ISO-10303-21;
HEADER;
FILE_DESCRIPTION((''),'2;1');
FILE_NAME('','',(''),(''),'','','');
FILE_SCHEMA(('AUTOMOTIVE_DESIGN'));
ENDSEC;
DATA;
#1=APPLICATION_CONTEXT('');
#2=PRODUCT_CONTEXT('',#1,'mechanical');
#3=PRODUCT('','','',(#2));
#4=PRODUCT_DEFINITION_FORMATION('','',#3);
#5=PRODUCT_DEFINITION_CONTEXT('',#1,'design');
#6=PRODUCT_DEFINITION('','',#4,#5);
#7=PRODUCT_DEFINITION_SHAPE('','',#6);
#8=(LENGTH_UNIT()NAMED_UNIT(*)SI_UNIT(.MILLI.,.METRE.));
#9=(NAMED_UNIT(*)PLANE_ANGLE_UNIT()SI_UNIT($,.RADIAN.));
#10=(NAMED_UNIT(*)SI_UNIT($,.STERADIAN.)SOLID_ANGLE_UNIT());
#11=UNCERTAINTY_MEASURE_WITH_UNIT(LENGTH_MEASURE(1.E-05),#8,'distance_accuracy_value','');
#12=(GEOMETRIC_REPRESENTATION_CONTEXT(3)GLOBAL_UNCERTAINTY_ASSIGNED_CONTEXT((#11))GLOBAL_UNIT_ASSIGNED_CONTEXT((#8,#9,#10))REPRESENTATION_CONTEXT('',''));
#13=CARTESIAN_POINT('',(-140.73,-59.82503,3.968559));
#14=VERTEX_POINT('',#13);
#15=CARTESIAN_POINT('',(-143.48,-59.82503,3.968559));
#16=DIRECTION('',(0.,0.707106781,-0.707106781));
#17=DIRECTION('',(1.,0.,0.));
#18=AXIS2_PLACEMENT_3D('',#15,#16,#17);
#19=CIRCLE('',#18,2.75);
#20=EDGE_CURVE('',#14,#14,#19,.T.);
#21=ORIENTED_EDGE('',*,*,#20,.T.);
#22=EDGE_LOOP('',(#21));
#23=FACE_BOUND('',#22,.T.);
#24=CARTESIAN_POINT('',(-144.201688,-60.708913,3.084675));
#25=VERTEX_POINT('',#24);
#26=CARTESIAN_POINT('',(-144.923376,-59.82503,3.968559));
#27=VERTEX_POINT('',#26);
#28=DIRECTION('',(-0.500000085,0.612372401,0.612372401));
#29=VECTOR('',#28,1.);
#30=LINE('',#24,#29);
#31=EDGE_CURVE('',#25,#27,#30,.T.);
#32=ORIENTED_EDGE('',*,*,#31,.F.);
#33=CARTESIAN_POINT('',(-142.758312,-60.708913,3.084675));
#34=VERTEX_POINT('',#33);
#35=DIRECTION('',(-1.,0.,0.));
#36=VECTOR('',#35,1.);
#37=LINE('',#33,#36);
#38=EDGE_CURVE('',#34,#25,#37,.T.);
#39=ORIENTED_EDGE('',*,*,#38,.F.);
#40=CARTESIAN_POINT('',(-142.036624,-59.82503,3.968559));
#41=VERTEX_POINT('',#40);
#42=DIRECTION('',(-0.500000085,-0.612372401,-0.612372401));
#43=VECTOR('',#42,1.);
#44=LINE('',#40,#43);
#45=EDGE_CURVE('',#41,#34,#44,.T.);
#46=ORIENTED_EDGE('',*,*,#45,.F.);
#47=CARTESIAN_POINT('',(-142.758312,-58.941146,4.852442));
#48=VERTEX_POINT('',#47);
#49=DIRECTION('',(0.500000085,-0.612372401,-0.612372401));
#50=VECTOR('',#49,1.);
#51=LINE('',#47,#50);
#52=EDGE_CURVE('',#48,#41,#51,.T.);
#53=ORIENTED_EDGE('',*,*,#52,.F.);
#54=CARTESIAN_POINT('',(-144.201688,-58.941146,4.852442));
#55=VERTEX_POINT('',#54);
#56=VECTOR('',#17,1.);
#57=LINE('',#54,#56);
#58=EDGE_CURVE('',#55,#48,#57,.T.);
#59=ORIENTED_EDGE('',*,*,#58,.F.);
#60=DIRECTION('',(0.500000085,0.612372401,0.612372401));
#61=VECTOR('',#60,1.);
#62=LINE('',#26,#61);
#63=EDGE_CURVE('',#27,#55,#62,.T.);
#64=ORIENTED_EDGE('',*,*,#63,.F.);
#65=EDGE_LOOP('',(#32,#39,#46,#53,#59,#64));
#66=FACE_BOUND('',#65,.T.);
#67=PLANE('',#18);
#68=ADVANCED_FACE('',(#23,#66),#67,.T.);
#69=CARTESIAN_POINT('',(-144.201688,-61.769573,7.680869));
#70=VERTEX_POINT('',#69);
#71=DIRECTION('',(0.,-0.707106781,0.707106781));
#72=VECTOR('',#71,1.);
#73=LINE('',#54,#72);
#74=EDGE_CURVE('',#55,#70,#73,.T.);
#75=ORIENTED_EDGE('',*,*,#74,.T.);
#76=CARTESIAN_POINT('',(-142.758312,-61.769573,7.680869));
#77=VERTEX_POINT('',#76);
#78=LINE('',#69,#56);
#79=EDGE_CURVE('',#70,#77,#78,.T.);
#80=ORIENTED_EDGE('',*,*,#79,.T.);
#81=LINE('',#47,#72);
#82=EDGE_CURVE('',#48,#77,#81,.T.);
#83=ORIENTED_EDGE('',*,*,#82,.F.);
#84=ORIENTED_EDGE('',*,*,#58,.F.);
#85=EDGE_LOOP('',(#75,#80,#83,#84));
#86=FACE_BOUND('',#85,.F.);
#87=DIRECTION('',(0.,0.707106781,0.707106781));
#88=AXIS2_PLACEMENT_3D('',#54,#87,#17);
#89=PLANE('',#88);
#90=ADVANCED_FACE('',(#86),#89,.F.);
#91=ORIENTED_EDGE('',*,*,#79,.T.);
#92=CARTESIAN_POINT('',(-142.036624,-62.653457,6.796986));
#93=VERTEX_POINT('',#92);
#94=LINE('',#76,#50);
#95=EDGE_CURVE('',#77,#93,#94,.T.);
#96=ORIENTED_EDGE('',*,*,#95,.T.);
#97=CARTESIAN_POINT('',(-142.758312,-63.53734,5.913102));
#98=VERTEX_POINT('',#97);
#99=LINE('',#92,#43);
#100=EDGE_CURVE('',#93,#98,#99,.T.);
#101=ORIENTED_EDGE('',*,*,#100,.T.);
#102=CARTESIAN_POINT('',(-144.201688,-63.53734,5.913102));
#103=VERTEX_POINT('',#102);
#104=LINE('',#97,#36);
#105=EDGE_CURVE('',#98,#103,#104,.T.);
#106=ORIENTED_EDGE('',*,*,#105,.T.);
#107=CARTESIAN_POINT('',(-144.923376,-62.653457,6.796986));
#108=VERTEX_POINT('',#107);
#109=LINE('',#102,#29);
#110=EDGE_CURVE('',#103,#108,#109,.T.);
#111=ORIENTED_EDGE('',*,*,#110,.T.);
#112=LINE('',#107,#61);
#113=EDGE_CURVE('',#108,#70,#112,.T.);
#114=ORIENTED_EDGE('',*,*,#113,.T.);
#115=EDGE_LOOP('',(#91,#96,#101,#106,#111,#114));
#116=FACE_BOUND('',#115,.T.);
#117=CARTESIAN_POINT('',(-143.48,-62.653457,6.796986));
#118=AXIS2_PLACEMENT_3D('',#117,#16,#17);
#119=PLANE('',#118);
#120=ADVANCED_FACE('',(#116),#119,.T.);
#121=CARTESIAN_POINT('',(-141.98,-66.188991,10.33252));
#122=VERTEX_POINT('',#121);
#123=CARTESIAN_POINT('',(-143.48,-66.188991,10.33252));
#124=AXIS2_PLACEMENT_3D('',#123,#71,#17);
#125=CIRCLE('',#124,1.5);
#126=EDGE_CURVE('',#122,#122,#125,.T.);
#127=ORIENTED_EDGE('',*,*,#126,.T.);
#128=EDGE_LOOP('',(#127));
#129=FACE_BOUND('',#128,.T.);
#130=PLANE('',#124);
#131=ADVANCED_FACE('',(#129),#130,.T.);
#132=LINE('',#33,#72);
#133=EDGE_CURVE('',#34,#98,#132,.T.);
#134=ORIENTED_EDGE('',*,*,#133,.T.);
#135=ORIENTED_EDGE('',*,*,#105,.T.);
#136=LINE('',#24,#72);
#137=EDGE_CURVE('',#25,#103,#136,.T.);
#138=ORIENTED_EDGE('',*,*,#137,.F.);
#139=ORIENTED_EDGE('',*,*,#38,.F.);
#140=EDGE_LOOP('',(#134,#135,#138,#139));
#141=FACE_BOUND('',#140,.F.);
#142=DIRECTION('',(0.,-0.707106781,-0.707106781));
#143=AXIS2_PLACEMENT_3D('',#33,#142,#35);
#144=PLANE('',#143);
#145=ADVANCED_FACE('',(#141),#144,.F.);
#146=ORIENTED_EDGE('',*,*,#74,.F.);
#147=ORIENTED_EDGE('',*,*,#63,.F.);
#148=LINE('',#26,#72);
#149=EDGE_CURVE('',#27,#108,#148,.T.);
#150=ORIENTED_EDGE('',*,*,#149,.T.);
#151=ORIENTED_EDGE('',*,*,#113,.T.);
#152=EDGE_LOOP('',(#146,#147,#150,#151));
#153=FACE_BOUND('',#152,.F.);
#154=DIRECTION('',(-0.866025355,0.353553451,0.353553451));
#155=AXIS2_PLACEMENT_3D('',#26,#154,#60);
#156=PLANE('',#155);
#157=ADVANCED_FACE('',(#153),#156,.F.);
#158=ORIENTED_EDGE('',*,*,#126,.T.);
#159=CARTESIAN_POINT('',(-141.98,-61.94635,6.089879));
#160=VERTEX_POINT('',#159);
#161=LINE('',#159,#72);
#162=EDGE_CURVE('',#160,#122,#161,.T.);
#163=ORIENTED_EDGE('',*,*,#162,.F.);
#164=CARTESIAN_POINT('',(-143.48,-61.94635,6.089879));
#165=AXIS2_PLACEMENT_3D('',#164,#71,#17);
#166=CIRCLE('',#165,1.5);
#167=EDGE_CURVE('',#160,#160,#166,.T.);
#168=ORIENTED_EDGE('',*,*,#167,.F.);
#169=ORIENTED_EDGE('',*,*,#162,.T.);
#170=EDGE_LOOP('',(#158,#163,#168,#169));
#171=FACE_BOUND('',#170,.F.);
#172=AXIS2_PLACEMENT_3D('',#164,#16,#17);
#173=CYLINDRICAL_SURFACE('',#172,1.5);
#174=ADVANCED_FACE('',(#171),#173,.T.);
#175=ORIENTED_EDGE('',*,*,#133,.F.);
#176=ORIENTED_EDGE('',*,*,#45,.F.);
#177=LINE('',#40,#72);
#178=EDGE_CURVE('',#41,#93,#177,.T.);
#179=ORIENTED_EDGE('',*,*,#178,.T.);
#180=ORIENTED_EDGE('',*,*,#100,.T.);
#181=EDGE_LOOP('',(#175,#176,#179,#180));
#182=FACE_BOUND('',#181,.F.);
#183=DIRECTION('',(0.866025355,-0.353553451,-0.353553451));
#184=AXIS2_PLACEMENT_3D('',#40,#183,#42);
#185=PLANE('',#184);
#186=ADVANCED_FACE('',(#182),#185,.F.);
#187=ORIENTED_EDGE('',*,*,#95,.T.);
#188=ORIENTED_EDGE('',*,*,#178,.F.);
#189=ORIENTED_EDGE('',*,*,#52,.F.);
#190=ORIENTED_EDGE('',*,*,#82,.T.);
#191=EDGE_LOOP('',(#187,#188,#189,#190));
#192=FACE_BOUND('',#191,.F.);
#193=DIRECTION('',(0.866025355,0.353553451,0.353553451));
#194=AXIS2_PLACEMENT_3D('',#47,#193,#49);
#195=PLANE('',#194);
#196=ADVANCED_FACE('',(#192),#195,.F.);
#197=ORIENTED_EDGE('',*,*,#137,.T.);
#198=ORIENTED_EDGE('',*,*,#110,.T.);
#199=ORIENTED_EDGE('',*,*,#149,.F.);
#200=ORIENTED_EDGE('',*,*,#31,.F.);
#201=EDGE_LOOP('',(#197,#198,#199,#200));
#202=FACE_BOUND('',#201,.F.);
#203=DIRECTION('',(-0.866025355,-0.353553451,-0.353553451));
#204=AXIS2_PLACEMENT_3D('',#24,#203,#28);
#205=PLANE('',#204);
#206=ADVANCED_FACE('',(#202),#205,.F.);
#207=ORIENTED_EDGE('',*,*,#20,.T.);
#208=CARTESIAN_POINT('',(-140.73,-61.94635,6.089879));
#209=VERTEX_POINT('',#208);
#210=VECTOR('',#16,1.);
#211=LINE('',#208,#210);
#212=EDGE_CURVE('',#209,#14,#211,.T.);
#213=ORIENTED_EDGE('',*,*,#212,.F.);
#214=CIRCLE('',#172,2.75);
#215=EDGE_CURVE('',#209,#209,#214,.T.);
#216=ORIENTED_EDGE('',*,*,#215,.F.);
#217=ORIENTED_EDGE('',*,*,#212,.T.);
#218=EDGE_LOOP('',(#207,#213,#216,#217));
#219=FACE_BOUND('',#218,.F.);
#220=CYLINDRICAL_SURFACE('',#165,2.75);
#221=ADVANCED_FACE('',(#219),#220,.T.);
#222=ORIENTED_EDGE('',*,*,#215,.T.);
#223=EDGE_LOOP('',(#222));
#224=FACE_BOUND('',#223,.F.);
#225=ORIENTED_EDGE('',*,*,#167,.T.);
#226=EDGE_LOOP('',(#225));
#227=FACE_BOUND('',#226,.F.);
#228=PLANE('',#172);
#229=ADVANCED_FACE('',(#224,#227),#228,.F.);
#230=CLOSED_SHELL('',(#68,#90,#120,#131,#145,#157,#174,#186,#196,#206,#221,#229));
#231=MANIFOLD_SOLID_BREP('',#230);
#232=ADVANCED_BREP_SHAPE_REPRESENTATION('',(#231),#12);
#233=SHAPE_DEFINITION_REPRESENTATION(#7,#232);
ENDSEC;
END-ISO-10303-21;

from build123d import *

# Parameters (mm, degrees)
SKETCH051_R             = 2.75
PAD027_DEPTH            = 3
SKETCH050_R             = 1.5
PAD026_DEPTH            = 6
POCKET023_DEPTH         = 4
BODY014_PLACEMENT_ANGLE = 225


with BuildPart() as part:
    # Sketch051 → Pad027 (new body)
    with BuildSketch(Plane.XY):
        Circle(SKETCH051_R)
    extrude(amount=PAD027_DEPTH)

    # Sketch050 (on Face2 of Pad027) → Pad026 (join)
    with BuildSketch(Plane(origin=(0, 0, 0), x_dir=(1, 0, 0), z_dir=(0, 0, -1))):
        Circle(SKETCH050_R)
    extrude(amount=PAD026_DEPTH)

    # Sketch052 (on DatumPlane) → Pocket023 (cut)
    with BuildSketch(Plane.XY.offset(3)):
        Polygon((0.721688, -1.25), (1.443376, 0), (0.721688, 1.25), (-0.721688, 1.25), (-1.443376, 0), (-0.721688, -1.25), align=None)
    extrude(amount=-POCKET023_DEPTH, mode=Mode.SUBTRACT)


with BuildPart() as part_1:
    # Body014 placement: moved
    add(part.part.moved(Location((-143.48, -61.94635, 6.089879))).rotate(Axis((-143.48, -61.94635, 6.089879), (1, 0, 0)), BODY014_PLACEMENT_ANGLE))


solid = part_1.part
